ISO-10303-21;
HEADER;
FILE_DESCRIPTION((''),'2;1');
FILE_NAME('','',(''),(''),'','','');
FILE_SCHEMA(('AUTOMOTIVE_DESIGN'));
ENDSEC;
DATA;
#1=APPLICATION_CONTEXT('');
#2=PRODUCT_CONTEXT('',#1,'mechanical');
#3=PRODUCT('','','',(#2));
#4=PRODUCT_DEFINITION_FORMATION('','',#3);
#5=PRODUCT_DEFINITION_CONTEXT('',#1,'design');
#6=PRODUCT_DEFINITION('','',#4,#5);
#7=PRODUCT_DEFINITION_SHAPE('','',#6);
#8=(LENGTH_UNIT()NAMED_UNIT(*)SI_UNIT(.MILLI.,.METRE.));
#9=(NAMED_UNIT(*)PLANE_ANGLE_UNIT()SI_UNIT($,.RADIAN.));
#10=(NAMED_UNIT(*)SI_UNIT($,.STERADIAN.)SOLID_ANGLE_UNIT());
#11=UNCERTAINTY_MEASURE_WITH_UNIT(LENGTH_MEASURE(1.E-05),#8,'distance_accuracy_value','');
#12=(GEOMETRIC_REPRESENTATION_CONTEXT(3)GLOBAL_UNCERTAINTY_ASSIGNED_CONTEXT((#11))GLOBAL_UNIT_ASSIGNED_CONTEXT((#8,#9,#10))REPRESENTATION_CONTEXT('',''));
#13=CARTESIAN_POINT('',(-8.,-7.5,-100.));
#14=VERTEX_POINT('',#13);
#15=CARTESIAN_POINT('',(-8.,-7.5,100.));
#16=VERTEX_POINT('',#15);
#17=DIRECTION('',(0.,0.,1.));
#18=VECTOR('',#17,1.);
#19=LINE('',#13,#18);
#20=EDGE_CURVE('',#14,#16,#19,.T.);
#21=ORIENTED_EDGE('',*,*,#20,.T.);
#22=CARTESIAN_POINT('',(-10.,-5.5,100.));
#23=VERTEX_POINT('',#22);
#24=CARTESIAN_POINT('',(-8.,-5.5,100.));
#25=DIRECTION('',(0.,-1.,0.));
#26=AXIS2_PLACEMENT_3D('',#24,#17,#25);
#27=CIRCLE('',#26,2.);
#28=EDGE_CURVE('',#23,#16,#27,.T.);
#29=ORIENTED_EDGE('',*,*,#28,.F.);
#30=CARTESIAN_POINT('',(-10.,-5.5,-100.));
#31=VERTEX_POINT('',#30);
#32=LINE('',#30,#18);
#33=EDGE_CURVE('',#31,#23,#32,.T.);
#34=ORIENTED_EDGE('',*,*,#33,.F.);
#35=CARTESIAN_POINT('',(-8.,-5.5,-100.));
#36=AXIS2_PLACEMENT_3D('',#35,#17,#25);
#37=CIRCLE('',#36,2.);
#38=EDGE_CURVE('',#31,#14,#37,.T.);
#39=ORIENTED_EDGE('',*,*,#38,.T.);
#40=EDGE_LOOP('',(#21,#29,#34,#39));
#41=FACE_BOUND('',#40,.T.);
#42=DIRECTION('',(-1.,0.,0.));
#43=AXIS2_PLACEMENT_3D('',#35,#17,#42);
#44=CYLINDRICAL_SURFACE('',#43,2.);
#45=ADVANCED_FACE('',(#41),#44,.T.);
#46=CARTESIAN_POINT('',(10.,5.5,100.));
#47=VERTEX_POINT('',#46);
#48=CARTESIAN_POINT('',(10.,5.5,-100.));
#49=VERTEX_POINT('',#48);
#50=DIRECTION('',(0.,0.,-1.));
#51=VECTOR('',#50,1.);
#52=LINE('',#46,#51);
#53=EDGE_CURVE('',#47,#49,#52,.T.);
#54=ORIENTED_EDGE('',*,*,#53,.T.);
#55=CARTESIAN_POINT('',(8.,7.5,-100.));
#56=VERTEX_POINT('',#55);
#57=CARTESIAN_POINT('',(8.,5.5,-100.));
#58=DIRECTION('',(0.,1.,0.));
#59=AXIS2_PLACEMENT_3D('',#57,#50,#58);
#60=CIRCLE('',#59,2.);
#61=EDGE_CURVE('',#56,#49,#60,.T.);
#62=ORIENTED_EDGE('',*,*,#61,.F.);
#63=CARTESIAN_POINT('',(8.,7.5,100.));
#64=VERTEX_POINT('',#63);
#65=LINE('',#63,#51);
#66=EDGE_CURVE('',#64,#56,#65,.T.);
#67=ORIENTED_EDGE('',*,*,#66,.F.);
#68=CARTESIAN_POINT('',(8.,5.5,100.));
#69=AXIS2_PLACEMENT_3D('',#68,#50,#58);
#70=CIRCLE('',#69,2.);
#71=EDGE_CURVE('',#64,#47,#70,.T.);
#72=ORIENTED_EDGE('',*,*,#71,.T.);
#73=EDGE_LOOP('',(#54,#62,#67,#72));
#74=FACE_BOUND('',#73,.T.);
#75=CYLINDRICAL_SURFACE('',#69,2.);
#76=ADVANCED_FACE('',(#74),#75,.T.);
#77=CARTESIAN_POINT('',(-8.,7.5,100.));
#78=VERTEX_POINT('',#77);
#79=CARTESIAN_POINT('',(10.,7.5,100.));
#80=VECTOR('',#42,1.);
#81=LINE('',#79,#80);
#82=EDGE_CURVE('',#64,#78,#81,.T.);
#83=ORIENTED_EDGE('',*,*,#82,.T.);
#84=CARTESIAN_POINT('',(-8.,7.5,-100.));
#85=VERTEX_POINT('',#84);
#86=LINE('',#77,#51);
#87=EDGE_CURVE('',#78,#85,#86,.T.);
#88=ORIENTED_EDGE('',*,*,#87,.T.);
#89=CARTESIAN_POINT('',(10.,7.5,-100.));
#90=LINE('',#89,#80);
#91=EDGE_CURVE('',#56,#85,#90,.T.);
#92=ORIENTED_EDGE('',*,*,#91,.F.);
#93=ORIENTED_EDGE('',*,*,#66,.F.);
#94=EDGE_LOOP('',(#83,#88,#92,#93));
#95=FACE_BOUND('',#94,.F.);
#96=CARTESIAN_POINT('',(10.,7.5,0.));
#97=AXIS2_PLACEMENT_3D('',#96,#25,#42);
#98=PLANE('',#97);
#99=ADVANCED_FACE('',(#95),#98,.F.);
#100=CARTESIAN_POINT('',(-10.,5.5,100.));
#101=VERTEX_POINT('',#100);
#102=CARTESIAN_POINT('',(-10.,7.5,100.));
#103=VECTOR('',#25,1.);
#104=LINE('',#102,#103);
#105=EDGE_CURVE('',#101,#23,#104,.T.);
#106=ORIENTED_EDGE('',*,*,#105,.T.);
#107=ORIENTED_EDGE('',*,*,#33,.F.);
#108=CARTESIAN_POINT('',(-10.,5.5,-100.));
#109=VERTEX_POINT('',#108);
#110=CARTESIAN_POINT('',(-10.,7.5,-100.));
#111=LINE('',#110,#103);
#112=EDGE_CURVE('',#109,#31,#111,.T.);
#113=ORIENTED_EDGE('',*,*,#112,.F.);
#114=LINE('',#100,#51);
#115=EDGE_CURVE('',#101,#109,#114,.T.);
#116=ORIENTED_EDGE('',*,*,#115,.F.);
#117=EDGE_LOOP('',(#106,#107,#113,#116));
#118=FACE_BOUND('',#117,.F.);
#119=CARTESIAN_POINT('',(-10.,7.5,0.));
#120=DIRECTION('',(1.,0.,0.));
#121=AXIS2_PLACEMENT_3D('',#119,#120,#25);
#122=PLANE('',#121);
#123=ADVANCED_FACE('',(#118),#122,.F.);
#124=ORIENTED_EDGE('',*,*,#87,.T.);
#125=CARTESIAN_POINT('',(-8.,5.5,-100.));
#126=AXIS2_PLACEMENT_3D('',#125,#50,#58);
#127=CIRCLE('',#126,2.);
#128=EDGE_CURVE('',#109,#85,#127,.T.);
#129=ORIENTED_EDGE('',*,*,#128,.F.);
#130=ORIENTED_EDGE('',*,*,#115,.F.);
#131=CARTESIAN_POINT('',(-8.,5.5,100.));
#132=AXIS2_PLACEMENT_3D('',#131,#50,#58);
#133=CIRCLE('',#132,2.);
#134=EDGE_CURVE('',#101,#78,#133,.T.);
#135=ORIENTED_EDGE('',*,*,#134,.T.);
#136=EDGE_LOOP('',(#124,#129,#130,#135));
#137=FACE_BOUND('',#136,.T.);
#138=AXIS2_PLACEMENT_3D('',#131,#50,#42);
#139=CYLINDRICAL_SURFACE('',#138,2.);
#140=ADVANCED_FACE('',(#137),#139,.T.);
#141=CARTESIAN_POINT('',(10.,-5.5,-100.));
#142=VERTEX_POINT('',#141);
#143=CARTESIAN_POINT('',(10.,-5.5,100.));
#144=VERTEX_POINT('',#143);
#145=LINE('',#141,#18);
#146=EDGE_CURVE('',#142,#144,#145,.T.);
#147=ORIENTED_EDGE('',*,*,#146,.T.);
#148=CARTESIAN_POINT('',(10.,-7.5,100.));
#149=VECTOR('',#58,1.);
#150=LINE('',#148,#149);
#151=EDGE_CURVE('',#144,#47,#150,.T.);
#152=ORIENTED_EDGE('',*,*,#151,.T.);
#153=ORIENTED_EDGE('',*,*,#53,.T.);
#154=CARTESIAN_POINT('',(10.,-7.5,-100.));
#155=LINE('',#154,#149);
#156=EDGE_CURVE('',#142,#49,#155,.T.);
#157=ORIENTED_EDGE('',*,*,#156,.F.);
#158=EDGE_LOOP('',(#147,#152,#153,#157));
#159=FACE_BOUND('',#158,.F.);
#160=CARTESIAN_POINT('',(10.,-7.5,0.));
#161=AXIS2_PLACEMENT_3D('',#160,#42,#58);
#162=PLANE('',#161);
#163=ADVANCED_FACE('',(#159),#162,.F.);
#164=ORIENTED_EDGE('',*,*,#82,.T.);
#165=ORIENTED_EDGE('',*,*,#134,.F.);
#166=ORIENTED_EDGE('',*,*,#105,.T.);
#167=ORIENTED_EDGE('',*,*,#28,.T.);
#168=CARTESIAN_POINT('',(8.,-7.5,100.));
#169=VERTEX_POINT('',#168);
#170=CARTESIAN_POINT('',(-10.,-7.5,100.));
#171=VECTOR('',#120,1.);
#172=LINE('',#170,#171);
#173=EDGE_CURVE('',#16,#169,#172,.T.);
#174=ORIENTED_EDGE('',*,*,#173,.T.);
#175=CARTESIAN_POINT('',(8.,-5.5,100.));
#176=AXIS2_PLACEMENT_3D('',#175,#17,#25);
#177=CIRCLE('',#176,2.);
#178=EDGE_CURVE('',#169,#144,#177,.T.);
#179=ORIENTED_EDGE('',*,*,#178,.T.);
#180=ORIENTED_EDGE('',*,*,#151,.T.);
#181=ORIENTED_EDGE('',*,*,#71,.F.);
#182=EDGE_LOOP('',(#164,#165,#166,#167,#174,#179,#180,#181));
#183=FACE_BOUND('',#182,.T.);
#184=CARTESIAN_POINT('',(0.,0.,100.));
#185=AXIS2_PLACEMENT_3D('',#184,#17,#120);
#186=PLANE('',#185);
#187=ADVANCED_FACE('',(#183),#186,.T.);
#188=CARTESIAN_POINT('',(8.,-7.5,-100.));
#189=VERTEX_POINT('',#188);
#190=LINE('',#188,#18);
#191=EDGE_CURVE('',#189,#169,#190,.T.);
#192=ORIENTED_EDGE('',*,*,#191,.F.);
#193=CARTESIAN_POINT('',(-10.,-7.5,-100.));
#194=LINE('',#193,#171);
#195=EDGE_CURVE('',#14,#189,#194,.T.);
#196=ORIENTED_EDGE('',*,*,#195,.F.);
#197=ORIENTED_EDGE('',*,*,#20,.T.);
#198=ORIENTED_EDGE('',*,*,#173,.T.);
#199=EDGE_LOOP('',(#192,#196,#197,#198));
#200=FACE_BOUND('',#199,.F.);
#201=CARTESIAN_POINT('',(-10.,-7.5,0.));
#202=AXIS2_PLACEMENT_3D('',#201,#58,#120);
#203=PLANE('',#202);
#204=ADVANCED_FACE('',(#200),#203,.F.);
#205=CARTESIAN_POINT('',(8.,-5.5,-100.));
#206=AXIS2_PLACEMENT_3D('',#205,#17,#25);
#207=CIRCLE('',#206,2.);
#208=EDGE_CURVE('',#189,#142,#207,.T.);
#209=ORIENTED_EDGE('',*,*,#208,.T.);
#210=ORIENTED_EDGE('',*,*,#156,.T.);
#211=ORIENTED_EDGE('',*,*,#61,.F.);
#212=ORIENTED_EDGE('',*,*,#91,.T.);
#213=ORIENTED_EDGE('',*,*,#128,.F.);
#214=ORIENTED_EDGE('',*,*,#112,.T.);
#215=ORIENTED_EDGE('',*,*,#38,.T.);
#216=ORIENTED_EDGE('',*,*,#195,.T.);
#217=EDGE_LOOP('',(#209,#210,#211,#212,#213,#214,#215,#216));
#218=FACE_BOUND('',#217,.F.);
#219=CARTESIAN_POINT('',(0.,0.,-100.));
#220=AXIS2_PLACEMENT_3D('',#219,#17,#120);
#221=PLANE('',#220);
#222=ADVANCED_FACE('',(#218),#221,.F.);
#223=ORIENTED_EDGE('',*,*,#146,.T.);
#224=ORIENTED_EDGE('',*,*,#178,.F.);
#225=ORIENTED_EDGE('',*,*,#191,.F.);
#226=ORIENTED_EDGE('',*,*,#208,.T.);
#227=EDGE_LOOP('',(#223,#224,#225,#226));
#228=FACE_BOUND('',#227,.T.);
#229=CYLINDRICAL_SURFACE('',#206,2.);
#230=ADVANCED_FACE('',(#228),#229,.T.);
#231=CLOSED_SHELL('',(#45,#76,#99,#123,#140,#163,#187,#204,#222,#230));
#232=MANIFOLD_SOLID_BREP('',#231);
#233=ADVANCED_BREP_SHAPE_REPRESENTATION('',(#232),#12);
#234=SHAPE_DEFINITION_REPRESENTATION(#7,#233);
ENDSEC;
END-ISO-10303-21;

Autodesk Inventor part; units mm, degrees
ref_plane "YZ Plane" through (0, 0, 0) normal (1, 0, 0) x (0, 1, 0)
ref_plane "XZ Plane" through (0, 0, 0) normal (0, 1, 0) x (-1, 0, 0)
ref_plane "XY Plane" through (0, 0, 0) normal (0, 0, 1) x (1, 0, 0)
sketch "Sketch1" plane through (0, 0, 0) normal (0, 0, 1) x (1, 0, 0)
  line L0 (-10, -7.5) -> (10, -7.5)
  line L1 (10, -7.5) -> (10, 7.5)
  line L2 (10, 7.5) -> (-10, 7.5)
  line L3 (-10, 7.5) -> (-10, -7.5)
  line L4 (0, 0) -> (0, 7.5) construction
  line L5 (0, 0) -> (10, 0) construction
  line L6 (0, 0) -> (-10, 0) construction
  line L7 (0, 0) -> (0, -7.5) construction
  dimension "d0" = 20
  dimension "d1" = 15
extrude "Extrusion1" add sketch "Sketch1" along normal mid plane 200
fillet "Fillet1" radius 2 4 edges at (10, -7.5, 0) (10, 7.5, 0) (-10, 7.5, 0) (-10, -7.5, 0)
properties part number "Product"
